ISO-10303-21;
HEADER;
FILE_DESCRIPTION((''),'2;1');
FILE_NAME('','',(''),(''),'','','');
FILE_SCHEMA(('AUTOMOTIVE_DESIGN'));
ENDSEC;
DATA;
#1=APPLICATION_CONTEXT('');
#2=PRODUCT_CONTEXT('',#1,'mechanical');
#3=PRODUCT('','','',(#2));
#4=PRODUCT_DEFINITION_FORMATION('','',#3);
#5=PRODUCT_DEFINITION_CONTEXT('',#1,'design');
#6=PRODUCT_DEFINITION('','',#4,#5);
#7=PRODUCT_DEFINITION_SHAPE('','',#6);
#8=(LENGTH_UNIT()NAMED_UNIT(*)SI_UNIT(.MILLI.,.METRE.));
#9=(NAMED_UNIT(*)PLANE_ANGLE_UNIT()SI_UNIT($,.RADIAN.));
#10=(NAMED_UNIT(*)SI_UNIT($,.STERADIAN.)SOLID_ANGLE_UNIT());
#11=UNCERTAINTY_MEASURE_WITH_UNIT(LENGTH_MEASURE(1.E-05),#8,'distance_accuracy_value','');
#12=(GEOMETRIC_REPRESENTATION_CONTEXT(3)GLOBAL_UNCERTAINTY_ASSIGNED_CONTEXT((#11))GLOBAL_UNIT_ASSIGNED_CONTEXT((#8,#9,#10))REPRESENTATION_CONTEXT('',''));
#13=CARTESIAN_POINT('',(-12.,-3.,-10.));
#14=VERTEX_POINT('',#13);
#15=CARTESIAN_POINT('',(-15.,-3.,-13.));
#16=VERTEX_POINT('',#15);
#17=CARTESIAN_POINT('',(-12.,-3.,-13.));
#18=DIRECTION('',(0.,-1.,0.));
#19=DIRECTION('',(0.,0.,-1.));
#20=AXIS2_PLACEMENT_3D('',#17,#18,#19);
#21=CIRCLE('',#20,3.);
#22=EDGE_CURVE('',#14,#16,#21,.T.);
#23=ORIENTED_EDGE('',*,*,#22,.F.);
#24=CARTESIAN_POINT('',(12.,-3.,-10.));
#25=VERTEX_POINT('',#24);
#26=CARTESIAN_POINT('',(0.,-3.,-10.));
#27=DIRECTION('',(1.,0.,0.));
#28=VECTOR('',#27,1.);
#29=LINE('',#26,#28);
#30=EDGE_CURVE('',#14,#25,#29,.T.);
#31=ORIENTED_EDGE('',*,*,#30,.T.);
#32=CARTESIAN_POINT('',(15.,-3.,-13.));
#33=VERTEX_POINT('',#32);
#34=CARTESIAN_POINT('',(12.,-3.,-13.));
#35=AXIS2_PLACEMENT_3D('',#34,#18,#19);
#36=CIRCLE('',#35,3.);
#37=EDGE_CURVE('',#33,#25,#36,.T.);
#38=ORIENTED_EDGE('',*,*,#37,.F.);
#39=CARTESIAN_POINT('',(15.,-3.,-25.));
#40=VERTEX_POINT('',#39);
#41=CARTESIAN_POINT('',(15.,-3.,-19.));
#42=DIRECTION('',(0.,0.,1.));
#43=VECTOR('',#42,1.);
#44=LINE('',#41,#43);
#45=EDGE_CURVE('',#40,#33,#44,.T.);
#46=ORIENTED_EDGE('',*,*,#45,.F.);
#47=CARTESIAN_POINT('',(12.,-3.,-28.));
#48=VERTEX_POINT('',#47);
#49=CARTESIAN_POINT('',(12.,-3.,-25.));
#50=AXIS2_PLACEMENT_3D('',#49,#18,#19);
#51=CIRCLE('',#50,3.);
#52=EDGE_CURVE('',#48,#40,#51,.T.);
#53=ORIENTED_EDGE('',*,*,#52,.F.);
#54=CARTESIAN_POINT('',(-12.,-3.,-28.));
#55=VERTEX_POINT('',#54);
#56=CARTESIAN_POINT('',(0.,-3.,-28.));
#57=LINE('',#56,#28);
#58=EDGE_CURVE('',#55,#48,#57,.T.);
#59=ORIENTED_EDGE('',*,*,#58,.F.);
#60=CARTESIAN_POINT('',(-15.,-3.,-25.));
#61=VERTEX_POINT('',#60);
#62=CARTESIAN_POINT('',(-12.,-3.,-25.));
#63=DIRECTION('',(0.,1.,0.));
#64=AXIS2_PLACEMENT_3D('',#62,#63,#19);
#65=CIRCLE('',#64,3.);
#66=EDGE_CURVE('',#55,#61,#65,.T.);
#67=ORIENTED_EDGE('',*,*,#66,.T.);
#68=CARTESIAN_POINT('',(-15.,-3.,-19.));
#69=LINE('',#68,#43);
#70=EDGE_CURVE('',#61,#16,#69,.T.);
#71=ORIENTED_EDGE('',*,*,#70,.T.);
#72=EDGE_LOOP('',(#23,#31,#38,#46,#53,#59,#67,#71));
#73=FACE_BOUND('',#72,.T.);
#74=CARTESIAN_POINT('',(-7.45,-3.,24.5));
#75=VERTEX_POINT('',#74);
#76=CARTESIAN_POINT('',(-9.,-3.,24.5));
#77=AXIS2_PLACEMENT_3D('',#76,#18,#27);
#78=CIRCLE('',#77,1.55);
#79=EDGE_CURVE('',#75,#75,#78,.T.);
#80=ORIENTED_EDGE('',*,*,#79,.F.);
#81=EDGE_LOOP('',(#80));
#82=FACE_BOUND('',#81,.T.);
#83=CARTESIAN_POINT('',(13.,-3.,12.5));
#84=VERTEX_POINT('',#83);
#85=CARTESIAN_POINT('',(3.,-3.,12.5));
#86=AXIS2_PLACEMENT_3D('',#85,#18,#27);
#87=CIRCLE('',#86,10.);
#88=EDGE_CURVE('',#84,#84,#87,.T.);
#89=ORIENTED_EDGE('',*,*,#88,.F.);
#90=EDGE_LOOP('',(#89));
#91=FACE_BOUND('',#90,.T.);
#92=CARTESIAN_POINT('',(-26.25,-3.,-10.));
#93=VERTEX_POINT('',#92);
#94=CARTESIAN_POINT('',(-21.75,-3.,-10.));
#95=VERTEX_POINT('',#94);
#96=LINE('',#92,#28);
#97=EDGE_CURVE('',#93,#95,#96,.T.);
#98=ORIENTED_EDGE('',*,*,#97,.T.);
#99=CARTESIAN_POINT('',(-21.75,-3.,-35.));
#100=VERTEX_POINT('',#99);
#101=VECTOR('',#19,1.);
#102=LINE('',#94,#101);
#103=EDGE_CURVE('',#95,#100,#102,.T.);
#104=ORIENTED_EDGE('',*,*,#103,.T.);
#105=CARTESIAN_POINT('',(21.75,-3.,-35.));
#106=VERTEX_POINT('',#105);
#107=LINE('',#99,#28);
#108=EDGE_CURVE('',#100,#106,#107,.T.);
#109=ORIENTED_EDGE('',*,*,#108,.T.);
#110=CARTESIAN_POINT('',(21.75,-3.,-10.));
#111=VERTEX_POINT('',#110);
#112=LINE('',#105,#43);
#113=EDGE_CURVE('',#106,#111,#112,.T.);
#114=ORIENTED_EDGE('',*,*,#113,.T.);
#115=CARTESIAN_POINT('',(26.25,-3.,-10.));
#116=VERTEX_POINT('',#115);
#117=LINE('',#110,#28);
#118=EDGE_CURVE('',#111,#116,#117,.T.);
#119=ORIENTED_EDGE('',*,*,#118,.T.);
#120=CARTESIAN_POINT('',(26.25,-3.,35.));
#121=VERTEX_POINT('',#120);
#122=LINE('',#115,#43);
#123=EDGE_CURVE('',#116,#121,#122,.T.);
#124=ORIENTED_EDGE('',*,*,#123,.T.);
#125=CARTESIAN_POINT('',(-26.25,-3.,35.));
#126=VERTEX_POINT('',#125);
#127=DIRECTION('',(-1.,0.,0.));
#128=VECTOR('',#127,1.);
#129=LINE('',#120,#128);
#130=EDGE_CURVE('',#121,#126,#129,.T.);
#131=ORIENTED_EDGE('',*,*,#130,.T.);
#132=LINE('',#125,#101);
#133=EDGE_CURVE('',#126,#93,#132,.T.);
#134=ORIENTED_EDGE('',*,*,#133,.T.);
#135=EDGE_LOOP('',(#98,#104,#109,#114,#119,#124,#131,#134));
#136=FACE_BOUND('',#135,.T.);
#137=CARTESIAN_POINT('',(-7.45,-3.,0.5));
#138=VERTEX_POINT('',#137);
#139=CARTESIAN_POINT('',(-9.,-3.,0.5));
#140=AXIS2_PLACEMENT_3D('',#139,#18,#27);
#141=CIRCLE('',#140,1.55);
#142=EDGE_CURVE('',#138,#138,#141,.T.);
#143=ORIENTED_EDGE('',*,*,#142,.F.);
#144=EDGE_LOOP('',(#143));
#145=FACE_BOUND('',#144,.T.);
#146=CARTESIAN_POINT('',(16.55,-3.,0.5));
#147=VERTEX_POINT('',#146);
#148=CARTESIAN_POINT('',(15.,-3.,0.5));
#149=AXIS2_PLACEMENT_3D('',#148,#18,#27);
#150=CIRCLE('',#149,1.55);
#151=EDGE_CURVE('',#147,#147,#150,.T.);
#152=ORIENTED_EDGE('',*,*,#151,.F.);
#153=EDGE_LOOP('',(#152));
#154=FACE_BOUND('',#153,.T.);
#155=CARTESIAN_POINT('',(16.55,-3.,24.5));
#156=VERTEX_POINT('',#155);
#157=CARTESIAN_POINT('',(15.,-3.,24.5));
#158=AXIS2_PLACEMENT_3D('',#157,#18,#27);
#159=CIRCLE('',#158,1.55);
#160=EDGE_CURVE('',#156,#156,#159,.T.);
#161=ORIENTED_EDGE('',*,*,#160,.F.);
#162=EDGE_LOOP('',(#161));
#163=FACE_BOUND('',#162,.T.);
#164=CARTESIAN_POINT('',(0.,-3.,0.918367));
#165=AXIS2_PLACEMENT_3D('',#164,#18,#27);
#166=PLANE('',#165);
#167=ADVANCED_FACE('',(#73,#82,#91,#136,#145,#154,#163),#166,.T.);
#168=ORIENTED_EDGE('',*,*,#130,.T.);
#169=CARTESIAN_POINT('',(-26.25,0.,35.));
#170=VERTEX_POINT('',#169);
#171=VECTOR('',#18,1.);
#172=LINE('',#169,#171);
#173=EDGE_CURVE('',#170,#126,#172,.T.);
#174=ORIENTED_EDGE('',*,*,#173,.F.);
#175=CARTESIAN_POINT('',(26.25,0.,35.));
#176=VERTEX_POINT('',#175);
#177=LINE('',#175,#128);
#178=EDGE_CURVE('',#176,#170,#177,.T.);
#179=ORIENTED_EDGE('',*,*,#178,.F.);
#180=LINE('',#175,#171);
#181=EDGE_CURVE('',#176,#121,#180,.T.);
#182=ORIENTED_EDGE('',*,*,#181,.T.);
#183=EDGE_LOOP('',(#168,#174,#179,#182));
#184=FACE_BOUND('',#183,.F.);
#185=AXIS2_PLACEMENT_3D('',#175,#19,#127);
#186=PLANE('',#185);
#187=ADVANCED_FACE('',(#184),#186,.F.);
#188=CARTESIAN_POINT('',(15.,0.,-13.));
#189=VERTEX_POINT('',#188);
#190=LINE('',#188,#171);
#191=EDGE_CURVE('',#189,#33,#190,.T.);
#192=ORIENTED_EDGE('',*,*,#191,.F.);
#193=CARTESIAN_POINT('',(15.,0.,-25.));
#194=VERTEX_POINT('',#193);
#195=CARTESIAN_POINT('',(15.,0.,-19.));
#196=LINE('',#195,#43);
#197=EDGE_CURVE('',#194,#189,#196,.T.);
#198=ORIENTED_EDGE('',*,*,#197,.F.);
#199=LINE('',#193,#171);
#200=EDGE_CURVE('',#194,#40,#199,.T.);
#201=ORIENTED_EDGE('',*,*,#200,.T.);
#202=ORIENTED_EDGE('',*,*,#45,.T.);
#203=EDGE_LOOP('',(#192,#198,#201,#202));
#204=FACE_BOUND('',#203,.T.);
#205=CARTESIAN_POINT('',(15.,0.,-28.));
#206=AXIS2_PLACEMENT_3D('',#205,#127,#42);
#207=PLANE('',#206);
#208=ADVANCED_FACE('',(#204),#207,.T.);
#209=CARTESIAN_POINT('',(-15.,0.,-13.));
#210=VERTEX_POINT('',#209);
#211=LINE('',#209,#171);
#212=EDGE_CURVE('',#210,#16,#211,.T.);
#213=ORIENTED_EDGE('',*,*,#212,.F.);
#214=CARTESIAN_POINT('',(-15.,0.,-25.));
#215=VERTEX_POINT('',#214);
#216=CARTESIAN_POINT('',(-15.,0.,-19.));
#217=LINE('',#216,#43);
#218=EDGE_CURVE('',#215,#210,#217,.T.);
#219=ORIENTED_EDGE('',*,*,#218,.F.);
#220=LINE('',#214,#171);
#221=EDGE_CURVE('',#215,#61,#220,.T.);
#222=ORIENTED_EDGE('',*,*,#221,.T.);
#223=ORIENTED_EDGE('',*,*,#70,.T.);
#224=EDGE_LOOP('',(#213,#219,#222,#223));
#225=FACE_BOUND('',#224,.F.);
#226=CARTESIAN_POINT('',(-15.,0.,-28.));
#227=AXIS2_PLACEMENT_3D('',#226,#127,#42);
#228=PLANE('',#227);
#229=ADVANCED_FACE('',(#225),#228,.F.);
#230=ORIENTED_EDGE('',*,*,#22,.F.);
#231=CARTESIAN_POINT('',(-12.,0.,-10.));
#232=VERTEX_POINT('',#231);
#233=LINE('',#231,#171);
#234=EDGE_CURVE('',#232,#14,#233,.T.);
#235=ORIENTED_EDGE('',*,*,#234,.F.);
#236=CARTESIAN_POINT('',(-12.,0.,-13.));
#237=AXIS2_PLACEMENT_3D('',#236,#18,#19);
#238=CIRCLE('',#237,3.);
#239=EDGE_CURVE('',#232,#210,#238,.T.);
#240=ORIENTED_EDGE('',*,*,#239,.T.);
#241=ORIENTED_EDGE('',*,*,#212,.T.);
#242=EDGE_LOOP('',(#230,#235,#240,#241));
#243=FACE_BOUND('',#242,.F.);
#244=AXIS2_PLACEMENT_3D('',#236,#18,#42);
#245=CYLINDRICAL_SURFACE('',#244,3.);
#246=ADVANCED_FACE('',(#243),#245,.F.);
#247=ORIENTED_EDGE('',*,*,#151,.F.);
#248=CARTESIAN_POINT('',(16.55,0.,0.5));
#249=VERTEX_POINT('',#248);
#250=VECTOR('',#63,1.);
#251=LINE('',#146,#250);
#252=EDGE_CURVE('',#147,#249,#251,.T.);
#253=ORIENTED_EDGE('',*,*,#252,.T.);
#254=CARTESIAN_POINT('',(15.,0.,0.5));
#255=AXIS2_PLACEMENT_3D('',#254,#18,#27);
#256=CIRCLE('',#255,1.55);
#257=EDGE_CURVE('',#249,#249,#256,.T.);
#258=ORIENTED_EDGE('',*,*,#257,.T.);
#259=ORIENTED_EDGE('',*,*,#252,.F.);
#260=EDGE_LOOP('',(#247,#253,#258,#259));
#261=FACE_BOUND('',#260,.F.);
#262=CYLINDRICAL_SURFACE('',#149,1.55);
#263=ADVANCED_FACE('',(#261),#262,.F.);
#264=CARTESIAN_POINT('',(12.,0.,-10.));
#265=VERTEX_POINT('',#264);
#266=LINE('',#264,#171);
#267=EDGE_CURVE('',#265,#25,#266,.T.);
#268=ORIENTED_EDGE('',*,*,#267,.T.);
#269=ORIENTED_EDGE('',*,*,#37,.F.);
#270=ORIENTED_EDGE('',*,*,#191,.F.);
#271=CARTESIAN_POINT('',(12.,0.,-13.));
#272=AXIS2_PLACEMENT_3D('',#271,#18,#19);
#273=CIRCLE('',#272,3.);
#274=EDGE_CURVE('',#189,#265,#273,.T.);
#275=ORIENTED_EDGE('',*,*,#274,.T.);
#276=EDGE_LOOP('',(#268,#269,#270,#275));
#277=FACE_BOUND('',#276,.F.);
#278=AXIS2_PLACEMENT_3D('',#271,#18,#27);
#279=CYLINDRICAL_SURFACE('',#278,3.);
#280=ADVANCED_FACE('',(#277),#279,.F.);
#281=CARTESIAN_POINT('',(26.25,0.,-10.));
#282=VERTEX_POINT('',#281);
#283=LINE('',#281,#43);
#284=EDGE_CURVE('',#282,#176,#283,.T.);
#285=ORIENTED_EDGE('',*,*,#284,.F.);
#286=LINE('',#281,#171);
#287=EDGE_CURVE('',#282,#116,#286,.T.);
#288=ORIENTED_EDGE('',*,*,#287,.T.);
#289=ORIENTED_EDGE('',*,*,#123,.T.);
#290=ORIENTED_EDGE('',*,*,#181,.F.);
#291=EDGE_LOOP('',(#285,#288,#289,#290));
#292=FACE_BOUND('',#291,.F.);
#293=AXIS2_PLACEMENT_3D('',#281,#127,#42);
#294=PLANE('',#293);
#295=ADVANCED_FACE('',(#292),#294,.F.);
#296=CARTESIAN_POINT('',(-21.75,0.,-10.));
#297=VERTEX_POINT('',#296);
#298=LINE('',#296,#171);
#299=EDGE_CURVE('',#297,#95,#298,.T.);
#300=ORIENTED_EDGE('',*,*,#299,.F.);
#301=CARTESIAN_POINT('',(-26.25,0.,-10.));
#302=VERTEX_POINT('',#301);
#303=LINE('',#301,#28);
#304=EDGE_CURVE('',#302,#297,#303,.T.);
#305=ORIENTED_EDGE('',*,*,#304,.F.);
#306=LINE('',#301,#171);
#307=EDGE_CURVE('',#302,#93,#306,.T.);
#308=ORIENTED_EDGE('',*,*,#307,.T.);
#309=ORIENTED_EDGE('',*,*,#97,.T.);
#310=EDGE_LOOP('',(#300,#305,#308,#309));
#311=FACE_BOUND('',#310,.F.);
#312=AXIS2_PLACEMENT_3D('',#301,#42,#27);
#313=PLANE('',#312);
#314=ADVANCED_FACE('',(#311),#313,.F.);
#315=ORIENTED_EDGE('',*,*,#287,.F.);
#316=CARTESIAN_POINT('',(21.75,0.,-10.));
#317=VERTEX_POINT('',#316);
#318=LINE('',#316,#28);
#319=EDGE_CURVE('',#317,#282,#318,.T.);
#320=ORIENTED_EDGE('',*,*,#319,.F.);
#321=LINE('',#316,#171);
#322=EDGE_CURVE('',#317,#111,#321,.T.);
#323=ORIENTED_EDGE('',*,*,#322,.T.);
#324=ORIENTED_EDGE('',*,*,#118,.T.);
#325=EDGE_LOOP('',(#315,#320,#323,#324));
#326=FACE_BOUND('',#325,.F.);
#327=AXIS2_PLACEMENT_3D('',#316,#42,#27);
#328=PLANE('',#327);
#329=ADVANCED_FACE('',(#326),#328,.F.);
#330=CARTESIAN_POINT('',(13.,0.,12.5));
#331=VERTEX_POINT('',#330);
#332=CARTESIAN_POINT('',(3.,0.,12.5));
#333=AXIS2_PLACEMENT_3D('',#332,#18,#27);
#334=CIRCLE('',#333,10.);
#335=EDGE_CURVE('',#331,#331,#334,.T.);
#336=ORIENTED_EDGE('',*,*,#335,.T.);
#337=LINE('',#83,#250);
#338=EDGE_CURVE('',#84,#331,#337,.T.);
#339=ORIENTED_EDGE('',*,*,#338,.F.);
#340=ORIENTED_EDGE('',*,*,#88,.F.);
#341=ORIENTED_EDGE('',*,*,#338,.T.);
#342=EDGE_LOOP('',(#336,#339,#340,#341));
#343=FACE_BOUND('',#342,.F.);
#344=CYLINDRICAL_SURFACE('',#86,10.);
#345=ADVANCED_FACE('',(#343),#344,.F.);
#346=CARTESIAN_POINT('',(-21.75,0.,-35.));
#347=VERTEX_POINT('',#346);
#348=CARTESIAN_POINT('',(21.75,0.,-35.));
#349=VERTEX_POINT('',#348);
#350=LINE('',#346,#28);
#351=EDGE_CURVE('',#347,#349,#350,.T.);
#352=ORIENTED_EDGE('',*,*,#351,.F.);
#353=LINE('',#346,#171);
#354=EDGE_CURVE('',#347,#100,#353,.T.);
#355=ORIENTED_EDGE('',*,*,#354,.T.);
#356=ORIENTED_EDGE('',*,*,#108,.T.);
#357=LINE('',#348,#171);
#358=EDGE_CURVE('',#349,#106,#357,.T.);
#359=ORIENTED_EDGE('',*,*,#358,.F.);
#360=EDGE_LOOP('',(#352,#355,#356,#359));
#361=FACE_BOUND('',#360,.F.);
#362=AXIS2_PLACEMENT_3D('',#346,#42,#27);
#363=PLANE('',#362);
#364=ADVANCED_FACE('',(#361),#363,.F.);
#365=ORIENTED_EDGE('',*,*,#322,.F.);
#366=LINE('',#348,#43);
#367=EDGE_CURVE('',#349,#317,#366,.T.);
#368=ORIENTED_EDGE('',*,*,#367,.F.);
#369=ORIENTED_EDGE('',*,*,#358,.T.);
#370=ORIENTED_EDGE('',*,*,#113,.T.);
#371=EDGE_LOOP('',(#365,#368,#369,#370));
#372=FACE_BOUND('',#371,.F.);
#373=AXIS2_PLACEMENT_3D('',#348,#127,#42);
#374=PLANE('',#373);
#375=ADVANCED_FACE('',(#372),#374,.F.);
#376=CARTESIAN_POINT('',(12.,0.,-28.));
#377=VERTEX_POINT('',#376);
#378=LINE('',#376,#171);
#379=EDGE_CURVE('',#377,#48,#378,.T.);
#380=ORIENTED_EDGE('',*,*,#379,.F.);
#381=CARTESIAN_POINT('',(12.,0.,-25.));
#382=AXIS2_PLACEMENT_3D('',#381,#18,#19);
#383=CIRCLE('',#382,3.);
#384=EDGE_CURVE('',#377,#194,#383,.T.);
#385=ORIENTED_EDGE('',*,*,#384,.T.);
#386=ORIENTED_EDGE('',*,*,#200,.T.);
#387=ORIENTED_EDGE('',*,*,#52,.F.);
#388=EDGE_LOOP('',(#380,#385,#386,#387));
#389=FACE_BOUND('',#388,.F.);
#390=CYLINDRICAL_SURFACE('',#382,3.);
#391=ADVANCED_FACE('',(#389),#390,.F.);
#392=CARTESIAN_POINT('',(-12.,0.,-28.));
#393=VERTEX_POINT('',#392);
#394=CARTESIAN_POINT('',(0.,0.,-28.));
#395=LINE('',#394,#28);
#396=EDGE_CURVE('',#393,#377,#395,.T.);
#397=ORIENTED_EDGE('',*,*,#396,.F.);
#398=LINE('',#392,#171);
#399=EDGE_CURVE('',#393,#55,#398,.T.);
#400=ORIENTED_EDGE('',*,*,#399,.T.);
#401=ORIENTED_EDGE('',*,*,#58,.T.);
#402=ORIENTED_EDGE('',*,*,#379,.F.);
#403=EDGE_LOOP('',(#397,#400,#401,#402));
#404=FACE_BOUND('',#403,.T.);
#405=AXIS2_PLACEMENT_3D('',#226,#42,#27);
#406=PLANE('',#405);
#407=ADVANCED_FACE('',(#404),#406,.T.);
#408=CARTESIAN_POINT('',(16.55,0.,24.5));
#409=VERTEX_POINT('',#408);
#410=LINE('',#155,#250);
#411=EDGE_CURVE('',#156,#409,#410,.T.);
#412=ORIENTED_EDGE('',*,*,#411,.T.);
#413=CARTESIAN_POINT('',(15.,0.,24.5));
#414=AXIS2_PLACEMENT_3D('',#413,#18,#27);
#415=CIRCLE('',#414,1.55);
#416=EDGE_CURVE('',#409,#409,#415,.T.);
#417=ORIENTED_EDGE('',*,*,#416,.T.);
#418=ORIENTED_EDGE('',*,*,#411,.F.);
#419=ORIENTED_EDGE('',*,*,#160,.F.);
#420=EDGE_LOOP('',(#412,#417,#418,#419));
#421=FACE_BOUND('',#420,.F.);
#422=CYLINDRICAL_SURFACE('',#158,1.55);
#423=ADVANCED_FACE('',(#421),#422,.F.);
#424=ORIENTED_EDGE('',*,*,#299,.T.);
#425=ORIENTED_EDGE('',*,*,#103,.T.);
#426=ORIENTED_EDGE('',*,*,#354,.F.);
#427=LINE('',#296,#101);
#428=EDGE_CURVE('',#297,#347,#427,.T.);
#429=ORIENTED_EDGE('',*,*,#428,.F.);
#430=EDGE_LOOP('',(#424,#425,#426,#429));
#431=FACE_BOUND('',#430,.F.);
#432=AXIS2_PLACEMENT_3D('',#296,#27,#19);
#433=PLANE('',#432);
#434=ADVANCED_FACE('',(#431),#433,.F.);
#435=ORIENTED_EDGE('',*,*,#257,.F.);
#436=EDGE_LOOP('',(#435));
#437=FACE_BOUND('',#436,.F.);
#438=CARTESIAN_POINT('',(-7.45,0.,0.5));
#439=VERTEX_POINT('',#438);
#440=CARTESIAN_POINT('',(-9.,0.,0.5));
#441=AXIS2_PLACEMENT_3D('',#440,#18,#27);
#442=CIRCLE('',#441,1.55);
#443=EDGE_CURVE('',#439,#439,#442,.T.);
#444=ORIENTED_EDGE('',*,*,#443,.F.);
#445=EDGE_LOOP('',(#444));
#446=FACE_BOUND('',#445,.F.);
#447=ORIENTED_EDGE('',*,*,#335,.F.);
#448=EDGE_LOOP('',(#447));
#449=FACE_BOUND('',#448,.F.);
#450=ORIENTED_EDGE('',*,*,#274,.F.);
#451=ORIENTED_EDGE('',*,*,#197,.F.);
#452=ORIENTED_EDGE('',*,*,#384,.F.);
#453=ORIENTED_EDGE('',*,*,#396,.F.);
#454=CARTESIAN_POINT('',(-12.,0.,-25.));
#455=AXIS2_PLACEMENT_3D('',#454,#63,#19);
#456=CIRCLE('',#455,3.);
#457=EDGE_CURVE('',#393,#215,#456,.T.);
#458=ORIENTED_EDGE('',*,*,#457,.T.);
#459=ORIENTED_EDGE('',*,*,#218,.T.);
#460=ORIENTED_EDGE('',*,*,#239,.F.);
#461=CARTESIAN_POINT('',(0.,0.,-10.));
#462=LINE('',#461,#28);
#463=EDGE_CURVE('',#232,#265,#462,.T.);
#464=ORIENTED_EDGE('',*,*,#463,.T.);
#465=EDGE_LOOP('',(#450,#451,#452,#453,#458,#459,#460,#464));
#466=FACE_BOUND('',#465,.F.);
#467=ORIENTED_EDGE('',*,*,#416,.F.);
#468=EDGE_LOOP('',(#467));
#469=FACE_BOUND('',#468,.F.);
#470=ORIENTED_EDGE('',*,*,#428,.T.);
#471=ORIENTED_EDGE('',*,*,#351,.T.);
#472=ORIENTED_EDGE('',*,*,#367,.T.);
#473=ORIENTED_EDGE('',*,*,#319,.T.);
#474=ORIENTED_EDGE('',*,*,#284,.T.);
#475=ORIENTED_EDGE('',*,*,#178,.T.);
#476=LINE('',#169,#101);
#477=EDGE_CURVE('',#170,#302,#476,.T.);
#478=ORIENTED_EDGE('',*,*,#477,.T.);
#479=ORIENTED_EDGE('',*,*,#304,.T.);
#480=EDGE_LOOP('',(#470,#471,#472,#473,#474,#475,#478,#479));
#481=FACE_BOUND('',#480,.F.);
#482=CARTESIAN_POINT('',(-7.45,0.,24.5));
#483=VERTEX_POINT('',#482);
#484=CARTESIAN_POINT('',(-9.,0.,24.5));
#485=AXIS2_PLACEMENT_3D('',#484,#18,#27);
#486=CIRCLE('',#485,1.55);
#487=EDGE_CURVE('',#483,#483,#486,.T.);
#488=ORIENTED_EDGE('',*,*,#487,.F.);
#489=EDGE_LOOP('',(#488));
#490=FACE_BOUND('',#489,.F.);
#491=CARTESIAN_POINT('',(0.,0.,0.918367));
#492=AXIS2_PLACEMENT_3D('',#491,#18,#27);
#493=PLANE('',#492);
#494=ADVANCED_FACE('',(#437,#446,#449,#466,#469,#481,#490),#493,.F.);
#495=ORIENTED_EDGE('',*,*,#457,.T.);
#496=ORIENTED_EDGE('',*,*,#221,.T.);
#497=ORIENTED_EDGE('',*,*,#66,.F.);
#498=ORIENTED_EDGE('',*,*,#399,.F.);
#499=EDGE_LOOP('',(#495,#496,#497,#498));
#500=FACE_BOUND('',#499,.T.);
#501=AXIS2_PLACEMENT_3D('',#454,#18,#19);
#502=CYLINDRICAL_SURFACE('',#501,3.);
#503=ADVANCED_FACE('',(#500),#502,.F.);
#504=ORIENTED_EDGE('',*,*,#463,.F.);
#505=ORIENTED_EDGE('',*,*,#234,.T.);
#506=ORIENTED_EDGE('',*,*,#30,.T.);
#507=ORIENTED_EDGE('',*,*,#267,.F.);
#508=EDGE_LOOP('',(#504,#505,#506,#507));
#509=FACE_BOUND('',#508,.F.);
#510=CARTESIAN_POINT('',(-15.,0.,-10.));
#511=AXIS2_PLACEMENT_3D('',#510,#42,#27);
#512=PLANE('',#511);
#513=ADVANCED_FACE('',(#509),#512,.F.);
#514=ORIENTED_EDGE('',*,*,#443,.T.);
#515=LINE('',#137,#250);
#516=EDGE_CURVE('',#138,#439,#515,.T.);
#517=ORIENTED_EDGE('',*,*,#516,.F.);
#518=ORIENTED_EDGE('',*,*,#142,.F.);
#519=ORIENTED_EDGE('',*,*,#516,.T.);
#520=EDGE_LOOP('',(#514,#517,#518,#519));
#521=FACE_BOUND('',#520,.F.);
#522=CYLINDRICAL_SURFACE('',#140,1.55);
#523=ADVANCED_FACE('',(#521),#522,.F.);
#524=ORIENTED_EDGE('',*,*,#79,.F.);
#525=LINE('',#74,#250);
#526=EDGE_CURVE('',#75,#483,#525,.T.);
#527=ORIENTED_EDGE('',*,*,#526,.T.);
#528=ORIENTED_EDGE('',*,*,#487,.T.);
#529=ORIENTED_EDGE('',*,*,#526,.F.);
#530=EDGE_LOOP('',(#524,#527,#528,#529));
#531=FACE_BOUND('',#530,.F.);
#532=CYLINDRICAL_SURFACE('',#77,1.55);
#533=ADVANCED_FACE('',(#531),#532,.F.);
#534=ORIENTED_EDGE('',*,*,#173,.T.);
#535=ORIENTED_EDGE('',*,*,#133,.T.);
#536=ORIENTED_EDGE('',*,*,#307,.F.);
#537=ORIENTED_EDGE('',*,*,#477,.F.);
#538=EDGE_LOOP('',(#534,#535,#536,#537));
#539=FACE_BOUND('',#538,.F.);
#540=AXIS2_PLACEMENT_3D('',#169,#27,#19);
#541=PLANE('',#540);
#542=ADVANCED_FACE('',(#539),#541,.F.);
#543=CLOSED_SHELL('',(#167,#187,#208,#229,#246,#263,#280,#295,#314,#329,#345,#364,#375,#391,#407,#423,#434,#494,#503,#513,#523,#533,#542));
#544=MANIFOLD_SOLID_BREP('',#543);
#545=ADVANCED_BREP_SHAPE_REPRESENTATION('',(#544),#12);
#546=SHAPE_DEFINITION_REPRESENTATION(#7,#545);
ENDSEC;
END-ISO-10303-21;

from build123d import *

# Parameters (mm, degrees)
F0_W     = 30
F0_H     = 18
F1_DEPTH = 3
F2_R     = 3
F3_R     = 1.55
F3_R_2   = 10
F4_DEPTH = 3.001


with BuildPart() as f1:
    # F0 (on Front) → F1 (new body)
    with BuildSketch(Plane.XZ):
        Polygon((-21.75, -10), (-21.75, -35), (21.75, -35), (21.75, -10), (26.25, -10), (26.25, 35), (-26.25, 35), (-26.25, -10), align=None)
        with Locations((0, -19)):
            Rectangle(F0_W, F0_H, mode=Mode.SUBTRACT)
    extrude(amount=F1_DEPTH)

    # F2
    f2_edges = [f1.edges().sort_by_distance(p)[0] for p in [
        (-15, -1.5, -28),
        (15, -1.5, -28),
        (15, -1.5, -10),
        (-15, -1.5, -10),
    ]]
    fillet(f2_edges, radius=F2_R)

    # F3 (on face) → F4 (cut, through all)
    with BuildSketch(Plane.XZ.offset(3)):
        with Locations((-9, 24.5)):
            Circle(F3_R)
        with Locations((15, 24.5)):
            Circle(F3_R)
        with Locations((-9, 0.5)):
            Circle(F3_R)
        with Locations((15, 0.5)):
            Circle(F3_R)
        with Locations((3, 12.5)):
            Circle(F3_R_2)
    extrude(amount=-F4_DEPTH, mode=Mode.SUBTRACT)


solid = f1.part
